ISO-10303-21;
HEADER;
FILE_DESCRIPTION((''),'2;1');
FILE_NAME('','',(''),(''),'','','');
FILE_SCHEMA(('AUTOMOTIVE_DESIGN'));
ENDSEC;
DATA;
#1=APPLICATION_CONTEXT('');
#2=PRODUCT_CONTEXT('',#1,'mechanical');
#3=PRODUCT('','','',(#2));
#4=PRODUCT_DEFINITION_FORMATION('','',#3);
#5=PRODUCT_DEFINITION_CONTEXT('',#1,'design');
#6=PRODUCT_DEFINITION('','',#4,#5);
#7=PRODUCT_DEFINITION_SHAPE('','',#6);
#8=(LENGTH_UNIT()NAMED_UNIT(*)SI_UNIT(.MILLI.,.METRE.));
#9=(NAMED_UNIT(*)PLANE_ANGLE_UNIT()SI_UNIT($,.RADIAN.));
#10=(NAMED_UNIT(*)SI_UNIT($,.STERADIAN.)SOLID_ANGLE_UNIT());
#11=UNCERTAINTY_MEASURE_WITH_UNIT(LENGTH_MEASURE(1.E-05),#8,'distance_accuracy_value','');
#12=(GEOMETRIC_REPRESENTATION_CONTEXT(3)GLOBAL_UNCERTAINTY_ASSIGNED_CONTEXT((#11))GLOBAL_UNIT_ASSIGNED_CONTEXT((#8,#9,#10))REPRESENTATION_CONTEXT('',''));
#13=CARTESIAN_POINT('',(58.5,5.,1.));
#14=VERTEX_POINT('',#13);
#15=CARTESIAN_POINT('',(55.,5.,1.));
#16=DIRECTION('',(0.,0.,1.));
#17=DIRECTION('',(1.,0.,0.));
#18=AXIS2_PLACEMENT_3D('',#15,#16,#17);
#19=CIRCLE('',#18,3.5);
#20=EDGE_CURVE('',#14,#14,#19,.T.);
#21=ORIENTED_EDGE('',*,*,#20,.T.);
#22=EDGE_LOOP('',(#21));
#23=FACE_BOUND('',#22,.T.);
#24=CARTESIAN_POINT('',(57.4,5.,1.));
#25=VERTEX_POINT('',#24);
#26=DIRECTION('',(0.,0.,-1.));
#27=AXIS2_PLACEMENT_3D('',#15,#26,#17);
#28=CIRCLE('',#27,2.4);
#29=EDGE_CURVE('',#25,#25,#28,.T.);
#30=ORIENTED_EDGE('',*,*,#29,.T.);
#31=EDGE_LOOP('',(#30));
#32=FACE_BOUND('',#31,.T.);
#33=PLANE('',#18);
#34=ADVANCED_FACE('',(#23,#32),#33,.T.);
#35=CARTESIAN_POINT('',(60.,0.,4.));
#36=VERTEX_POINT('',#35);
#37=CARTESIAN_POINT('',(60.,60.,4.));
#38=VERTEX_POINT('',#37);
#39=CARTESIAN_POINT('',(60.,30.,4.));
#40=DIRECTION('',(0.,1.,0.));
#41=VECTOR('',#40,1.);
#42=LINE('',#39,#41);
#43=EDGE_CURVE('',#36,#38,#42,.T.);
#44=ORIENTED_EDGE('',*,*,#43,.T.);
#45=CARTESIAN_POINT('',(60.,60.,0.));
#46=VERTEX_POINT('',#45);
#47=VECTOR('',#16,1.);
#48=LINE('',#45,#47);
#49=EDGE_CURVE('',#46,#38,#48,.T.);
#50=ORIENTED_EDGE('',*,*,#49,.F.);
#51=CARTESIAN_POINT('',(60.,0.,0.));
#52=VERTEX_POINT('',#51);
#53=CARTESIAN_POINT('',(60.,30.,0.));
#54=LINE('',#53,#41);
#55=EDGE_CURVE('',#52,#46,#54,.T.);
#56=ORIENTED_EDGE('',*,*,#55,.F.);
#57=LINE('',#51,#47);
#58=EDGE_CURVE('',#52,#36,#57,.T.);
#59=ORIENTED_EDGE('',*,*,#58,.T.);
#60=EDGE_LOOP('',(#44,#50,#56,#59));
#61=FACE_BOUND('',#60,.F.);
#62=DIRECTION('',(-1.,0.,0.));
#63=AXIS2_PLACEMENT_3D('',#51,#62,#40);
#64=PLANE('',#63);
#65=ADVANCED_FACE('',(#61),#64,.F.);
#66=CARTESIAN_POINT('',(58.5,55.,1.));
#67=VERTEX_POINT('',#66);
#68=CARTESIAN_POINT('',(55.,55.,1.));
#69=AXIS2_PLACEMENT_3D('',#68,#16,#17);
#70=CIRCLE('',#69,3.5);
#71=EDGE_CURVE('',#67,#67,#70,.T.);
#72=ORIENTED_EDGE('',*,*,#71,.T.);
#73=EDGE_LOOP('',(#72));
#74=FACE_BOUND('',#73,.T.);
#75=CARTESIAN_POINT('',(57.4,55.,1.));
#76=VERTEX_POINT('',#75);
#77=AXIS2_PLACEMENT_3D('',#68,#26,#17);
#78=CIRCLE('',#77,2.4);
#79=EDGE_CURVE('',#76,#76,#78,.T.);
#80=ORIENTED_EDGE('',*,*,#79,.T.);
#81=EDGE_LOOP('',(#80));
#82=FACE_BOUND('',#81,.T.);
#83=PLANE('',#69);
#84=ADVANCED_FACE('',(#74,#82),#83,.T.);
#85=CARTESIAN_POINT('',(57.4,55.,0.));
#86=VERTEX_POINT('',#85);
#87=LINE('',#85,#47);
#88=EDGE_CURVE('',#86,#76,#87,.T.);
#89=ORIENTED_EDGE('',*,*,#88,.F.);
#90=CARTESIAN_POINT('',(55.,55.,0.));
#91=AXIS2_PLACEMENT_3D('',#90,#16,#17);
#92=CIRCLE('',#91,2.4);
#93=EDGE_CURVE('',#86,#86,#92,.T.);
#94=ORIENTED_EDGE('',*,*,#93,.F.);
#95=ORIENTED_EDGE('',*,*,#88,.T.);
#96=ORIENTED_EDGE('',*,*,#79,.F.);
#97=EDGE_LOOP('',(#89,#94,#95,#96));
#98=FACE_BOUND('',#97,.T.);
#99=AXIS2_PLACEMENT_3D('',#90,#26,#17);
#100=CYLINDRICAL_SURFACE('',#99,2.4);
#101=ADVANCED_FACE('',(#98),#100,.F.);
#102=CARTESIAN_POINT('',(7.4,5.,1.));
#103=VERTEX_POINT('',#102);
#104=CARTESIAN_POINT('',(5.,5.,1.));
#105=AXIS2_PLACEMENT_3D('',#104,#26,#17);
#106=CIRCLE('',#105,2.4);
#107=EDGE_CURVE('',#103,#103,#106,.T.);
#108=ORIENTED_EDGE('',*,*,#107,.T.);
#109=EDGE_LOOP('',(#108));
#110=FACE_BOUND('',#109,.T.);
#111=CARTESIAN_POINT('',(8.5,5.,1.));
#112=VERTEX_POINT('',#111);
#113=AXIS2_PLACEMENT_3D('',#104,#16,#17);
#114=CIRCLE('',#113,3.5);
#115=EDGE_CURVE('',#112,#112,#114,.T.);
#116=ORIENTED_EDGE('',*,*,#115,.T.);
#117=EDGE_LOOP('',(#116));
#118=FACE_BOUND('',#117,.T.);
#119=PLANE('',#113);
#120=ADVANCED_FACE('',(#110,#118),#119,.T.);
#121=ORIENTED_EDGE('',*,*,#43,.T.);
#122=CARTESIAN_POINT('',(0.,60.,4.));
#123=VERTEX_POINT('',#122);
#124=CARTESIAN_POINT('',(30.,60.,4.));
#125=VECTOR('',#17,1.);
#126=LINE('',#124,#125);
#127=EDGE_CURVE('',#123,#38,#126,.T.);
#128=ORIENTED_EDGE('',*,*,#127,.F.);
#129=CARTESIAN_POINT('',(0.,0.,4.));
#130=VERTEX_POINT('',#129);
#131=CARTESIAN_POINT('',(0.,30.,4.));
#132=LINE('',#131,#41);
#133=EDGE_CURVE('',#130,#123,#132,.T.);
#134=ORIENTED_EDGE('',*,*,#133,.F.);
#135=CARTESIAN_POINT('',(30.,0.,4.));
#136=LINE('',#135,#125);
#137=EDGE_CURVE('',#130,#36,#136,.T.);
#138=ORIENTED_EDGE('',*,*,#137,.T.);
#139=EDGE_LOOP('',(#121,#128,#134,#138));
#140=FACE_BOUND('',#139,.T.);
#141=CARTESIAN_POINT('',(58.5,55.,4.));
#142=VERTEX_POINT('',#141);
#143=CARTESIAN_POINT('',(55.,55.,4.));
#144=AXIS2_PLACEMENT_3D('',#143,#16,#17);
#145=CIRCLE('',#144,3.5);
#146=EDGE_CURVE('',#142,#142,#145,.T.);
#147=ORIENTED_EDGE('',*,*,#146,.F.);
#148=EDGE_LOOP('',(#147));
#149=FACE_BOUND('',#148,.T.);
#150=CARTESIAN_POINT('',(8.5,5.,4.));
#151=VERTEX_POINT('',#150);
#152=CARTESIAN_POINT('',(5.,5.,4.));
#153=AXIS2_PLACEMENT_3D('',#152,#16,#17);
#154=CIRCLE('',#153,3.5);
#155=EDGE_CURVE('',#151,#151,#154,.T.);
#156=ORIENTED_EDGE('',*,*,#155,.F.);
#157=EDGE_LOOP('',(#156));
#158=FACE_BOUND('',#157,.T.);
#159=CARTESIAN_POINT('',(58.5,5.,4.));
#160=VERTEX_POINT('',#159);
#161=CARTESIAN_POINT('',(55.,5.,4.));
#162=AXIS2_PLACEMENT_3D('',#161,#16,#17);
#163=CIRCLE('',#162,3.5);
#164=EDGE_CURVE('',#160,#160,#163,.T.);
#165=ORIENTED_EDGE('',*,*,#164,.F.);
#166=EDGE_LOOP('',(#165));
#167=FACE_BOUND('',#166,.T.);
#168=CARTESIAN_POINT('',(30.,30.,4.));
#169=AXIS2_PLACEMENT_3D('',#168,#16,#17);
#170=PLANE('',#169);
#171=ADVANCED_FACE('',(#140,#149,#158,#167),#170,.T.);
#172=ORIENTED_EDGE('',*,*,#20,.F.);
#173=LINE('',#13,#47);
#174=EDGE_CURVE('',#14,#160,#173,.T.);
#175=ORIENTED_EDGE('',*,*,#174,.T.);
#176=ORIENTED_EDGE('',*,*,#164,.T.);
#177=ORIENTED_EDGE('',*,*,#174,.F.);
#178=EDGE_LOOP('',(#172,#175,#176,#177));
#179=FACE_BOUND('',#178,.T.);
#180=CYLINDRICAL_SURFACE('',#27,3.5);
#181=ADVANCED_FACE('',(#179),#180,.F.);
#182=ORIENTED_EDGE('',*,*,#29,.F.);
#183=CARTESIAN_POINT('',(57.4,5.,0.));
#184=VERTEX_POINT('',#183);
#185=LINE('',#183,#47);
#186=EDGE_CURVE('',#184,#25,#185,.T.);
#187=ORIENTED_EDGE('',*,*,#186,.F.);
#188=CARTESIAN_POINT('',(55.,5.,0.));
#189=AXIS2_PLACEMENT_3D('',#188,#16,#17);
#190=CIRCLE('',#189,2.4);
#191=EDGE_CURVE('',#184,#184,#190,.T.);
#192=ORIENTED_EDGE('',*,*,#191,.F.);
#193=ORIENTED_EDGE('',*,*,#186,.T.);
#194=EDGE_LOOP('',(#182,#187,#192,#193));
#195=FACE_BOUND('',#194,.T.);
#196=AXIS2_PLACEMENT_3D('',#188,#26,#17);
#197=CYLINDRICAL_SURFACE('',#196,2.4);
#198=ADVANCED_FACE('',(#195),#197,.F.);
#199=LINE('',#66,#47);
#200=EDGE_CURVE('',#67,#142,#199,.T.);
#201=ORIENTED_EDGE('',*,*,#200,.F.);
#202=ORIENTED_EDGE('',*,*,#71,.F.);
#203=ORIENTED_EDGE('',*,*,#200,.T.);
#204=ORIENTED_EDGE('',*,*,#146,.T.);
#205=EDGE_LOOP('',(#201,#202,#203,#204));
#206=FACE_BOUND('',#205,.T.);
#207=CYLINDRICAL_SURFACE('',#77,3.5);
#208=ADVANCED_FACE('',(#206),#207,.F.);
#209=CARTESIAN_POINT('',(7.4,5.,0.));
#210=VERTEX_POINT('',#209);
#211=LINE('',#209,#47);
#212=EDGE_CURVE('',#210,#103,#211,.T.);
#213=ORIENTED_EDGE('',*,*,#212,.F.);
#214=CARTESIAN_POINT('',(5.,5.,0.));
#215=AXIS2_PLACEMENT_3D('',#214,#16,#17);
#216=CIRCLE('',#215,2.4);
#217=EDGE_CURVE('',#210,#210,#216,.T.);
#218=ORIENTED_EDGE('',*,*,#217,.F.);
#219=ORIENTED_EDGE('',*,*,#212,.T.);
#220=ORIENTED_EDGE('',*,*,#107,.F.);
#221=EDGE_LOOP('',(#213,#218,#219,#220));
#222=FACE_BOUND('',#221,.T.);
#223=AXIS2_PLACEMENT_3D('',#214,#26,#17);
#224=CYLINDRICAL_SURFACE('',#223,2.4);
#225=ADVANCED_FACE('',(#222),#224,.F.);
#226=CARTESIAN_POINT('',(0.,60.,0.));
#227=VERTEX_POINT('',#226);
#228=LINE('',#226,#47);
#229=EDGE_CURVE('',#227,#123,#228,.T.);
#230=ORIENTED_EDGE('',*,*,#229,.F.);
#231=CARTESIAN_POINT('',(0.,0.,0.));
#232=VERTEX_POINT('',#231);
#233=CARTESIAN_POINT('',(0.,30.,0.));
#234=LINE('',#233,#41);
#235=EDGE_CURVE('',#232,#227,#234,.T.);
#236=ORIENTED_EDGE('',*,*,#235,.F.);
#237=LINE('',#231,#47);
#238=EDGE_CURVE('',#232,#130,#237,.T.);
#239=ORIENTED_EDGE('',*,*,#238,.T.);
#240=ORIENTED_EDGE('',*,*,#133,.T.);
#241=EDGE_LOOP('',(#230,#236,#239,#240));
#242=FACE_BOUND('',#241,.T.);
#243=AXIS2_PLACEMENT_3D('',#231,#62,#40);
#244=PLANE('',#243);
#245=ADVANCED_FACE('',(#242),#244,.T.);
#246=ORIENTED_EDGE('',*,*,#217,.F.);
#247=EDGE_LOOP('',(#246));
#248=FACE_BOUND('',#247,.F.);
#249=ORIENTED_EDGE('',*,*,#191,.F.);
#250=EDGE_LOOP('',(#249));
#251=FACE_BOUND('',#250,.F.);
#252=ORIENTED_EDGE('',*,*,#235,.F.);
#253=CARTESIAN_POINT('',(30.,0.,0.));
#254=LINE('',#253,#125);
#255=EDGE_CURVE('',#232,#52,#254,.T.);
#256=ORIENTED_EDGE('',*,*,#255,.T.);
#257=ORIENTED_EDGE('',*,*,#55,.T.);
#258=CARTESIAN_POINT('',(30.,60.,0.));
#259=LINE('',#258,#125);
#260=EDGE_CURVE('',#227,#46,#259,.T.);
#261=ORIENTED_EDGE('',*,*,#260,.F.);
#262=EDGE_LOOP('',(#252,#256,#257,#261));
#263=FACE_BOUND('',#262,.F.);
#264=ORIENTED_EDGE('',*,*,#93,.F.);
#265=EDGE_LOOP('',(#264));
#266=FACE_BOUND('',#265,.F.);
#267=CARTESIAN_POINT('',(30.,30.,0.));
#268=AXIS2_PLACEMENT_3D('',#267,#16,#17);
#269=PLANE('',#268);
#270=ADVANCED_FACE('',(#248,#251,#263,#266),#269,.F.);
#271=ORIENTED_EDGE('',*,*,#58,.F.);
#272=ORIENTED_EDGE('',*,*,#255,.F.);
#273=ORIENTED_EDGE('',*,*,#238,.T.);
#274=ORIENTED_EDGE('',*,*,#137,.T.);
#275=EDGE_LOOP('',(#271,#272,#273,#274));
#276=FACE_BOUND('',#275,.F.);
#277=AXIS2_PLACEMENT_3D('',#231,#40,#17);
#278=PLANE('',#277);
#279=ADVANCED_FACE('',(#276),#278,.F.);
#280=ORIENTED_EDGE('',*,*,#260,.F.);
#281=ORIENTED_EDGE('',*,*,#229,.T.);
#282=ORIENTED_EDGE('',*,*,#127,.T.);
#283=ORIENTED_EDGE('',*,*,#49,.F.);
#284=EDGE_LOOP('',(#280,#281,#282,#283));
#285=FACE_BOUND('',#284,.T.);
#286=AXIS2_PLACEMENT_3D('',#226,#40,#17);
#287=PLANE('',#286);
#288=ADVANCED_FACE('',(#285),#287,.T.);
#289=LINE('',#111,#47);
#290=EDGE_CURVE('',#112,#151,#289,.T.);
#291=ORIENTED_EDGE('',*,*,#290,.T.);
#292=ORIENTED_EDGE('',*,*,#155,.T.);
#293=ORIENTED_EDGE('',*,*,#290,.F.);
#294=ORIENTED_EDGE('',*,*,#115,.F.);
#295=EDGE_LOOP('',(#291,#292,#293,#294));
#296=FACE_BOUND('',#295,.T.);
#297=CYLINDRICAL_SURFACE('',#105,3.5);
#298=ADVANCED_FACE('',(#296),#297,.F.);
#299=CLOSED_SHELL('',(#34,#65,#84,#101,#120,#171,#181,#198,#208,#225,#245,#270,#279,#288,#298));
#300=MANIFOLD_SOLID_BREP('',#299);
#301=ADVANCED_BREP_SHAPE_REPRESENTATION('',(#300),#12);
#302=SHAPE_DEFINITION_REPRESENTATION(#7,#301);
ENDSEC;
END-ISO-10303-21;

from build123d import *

# Parameters (mm, degrees)
CYLINDER005_R     = 3.5
CYLINDER005_DEPTH = 3
CYLINDER004_R     = 2.4
CYLINDER004_DEPTH = 10
CYLINDER007_R     = 3.5
CYLINDER007_DEPTH = 3
CYLINDER006_R     = 2.4
CYLINDER006_DEPTH = 10
CYLINDER009_R     = 3.5
CYLINDER009_DEPTH = 3
CYLINDER008_R     = 2.4
CYLINDER008_DEPTH = 10
BOX001_W          = 60
BOX001_H          = 60
BOX001_DEPTH      = 4


with BuildPart() as cylinder005:
    # Cylinder005 → Cylinder005 (new body)
    with BuildSketch(Plane.XY.offset(1)):
        Circle(CYLINDER005_R)
    extrude(amount=CYLINDER005_DEPTH)


with BuildPart() as fusion004:
    # Cylinder004 → Cylinder004 (new body)
    with BuildSketch(Plane.XY):
        Circle(CYLINDER004_R)
    extrude(amount=CYLINDER004_DEPTH)

    # Fusion004: union Cylinder005
    add(cylinder005.part)


with BuildPart() as fusion004_1:
    # Fusion004 placement: moved
    add(fusion004.part.moved(Location((5, 5, 0))))


with BuildPart() as cylinder007:
    # Cylinder007 → Cylinder007 (new body)
    with BuildSketch(Plane.XY.offset(1)):
        Circle(CYLINDER007_R)
    extrude(amount=CYLINDER007_DEPTH)


with BuildPart() as fusion005:
    # Cylinder006 → Cylinder006 (new body)
    with BuildSketch(Plane.XY):
        Circle(CYLINDER006_R)
    extrude(amount=CYLINDER006_DEPTH)

    # Fusion005: union Cylinder007
    add(cylinder007.part)


with BuildPart() as fusion005_1:
    # Fusion005 placement: moved
    add(fusion005.part.moved(Location((55, 5, 0))))


with BuildPart() as cylinder009:
    # Cylinder009 → Cylinder009 (new body)
    with BuildSketch(Plane.XY.offset(1)):
        Circle(CYLINDER009_R)
    extrude(amount=CYLINDER009_DEPTH)


with BuildPart() as compound001:
    # Cylinder008 → Cylinder008 (new body)
    with BuildSketch(Plane.XY):
        Circle(CYLINDER008_R)
    extrude(amount=CYLINDER008_DEPTH)

    # Fusion006: union Cylinder009
    add(cylinder009.part)


with BuildPart() as compound001_1:
    # Fusion006 placement: moved
    add(compound001.part.moved(Location((55, 55, 0))))

    # Compound001: union Fusion004, Fusion005
    add(fusion004_1.part)
    add(fusion005_1.part)


with BuildPart() as kinematicmount_plate01:
    # Box001 → Box001 (new body)
    with BuildSketch(Plane.XY):
        with Locations((30, 30)):
            Rectangle(BOX001_W, BOX001_H)
    extrude(amount=BOX001_DEPTH)

    # Cut002: cut Compound001
    add(compound001_1.part, mode=Mode.SUBTRACT)


solid = kinematicmount_plate01.part
